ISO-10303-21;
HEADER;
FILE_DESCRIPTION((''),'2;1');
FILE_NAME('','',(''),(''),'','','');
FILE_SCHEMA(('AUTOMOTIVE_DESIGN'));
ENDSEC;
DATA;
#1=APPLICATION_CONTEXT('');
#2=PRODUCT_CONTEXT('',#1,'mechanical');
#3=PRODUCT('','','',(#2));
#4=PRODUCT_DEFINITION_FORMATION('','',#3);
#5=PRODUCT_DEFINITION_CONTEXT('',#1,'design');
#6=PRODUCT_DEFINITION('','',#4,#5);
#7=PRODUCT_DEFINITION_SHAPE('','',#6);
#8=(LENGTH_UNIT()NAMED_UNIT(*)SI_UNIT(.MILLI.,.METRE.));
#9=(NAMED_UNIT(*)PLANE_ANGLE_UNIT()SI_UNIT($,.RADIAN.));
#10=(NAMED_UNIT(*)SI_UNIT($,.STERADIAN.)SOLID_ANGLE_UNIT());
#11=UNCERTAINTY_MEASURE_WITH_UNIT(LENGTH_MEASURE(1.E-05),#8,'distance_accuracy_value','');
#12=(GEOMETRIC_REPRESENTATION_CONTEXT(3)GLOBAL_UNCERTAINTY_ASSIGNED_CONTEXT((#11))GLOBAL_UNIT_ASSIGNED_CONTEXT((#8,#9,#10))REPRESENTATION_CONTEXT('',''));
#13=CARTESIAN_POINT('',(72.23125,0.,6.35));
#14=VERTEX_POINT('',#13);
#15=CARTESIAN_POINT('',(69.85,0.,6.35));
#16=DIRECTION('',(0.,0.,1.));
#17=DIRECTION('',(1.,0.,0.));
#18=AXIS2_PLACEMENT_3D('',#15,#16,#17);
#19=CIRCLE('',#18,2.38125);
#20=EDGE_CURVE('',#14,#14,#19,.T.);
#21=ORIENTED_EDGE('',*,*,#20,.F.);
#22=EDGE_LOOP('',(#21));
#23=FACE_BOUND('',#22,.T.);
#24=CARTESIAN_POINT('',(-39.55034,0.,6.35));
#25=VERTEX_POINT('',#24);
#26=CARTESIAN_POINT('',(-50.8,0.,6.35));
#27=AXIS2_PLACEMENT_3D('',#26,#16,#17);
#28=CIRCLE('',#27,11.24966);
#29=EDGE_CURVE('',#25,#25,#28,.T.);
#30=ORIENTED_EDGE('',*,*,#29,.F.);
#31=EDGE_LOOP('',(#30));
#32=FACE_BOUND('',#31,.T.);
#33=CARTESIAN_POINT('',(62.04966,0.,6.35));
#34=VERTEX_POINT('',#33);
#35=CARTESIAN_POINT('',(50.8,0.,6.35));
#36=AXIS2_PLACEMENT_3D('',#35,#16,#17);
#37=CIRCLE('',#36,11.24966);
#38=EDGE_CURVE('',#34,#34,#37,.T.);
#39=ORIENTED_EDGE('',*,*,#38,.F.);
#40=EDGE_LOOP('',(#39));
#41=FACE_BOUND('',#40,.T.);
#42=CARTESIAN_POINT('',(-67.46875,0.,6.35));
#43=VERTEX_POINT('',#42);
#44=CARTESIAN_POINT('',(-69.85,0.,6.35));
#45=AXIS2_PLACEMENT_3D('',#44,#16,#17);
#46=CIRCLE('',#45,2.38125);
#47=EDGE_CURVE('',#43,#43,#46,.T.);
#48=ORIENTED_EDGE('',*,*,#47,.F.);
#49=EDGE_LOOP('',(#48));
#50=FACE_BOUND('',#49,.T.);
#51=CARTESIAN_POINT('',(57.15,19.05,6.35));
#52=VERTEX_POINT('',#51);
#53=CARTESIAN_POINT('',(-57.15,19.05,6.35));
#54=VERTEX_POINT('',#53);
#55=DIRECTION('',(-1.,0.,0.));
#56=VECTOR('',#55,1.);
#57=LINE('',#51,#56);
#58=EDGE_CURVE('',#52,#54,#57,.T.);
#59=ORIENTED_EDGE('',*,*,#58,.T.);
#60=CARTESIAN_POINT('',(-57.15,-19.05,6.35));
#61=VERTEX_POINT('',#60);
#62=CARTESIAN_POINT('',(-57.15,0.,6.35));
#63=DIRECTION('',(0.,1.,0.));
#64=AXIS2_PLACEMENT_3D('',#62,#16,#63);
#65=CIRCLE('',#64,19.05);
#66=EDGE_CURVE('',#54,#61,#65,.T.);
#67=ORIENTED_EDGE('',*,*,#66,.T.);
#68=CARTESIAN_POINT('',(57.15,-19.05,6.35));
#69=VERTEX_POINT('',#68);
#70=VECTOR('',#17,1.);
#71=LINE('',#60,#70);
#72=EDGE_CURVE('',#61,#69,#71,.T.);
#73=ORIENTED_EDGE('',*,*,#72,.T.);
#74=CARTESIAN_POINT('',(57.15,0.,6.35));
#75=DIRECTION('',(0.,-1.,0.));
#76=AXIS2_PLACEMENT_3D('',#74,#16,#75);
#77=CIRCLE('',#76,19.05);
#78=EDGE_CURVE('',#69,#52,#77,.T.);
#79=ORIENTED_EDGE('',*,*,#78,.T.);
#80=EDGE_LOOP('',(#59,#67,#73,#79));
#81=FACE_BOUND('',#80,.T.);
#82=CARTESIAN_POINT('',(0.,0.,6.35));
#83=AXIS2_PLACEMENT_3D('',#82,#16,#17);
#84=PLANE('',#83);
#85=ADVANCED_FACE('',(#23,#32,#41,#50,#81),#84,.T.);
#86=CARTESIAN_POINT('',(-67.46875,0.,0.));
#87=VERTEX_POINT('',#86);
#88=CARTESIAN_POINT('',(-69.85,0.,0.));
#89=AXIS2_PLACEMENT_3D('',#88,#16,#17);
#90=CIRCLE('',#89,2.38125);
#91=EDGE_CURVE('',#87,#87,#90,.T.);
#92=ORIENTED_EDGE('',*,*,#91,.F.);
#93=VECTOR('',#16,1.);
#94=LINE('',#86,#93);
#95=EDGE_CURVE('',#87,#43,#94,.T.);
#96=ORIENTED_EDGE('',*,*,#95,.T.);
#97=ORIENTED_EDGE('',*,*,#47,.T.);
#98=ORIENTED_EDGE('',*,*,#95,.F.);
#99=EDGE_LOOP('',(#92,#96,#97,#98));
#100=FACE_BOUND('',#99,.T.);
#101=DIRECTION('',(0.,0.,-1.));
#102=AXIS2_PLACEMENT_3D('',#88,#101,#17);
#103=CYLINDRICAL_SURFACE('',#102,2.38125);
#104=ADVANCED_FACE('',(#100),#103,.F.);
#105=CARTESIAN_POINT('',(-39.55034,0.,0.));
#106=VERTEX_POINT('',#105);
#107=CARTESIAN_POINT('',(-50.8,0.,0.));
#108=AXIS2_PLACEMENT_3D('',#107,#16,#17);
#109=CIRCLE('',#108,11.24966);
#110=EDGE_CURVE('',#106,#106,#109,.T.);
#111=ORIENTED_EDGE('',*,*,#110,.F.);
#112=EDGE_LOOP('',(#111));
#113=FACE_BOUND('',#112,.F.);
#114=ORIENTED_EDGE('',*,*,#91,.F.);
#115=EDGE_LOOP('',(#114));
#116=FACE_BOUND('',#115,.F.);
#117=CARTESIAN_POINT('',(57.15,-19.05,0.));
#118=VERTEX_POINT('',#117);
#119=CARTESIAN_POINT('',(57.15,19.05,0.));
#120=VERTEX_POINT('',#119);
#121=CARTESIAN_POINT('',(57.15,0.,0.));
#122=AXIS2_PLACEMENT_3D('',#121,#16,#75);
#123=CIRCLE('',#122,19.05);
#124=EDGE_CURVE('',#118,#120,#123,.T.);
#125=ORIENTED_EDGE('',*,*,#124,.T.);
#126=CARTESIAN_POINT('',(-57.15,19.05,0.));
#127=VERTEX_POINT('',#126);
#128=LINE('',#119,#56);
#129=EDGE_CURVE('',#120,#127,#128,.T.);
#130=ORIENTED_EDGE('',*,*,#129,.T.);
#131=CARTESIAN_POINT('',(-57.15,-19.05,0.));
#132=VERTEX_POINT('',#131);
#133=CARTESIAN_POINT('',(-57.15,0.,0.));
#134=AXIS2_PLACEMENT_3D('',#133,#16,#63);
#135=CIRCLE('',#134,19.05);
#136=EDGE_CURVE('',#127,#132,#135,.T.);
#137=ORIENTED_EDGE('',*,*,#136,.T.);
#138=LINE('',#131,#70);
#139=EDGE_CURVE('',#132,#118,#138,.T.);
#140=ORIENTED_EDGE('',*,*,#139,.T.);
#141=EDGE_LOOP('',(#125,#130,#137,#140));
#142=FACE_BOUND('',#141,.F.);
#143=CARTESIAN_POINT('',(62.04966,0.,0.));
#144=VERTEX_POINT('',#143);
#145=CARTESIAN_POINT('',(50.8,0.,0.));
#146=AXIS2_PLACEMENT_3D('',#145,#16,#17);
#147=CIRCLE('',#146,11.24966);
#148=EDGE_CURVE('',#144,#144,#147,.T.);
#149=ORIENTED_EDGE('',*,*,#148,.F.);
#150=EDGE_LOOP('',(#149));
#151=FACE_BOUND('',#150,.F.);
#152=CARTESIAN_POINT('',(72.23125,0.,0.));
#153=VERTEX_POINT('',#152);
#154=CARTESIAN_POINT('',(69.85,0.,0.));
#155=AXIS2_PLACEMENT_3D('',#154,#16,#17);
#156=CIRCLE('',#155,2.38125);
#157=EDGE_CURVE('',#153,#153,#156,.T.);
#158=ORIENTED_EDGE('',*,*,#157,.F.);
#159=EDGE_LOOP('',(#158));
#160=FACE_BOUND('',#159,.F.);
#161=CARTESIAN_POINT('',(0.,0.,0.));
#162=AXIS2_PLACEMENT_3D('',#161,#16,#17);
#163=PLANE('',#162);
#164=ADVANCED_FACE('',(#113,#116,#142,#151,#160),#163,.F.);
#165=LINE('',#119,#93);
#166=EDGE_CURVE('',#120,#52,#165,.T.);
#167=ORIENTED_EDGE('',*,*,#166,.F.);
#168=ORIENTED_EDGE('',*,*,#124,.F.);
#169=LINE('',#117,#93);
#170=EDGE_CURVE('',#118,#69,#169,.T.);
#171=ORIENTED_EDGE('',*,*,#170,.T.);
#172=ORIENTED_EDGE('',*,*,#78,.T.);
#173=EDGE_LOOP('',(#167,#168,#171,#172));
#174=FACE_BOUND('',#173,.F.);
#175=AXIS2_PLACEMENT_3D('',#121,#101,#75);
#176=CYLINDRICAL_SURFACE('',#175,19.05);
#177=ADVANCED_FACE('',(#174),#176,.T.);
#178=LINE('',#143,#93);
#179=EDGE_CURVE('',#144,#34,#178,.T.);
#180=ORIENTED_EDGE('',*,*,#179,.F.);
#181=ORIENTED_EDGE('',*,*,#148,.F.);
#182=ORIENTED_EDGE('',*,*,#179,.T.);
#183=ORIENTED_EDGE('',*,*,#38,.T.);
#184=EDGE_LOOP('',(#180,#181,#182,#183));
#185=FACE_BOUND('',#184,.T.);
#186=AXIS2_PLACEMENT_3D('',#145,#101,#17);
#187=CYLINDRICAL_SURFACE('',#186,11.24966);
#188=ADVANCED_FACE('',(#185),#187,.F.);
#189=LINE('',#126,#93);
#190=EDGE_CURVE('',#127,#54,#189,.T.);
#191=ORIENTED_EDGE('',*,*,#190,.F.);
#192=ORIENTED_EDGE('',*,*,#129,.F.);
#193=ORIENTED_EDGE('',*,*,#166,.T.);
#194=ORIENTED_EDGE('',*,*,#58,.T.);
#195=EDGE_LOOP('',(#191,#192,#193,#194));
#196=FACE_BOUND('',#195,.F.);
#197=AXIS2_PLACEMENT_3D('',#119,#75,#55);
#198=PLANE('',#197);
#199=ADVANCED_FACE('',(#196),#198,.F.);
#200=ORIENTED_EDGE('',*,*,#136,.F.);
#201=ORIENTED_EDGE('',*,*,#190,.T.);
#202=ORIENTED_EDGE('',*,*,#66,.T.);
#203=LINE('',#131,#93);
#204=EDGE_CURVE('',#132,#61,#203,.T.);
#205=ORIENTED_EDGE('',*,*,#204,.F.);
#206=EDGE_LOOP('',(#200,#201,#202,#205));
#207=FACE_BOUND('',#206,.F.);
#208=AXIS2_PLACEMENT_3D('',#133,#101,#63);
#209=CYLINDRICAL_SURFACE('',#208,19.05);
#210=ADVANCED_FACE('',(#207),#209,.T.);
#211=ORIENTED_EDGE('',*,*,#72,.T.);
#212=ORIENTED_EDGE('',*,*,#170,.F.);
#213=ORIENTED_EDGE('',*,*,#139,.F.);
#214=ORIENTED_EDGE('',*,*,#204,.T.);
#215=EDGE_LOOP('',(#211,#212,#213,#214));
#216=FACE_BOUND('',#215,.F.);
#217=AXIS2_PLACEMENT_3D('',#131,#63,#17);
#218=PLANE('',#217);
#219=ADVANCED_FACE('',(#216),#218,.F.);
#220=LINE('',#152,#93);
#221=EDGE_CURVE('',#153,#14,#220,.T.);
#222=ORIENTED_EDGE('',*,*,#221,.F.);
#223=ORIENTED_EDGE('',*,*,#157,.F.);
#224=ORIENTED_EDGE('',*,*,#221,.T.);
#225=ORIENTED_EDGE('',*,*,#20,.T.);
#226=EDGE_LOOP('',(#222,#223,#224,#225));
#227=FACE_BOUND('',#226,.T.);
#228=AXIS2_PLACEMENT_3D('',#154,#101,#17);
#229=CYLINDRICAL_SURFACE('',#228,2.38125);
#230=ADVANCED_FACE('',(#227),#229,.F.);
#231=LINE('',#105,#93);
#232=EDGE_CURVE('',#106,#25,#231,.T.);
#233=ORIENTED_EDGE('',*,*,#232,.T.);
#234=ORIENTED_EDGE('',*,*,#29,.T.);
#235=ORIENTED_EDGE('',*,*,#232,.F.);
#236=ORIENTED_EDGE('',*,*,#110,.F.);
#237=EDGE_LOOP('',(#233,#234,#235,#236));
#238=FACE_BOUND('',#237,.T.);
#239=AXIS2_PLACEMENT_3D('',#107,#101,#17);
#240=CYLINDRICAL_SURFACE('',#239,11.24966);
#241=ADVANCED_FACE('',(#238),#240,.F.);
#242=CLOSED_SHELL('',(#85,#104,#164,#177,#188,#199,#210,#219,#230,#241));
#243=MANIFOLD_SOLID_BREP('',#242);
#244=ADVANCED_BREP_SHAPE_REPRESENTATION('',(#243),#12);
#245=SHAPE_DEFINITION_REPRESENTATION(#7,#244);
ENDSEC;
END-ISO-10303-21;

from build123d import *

# Parameters (mm, degrees)
F0_R     = 11.24966
F2_DEPTH = 6.35
F1_R     = 2.38125
F3_DEPTH = 6.35


with BuildPart() as f2:
    # F0 (on Top) → F2 (new body)
    with BuildSketch(Plane.XY):
        with BuildLine():
            Line((57.15, 19.05), (-57.15, 19.05))
            ThreePointArc((-57.15, 19.05), (-76.2, 0), (-57.15, -19.05))
            Line((-57.15, -19.05), (57.15, -19.05))
            ThreePointArc((57.15, -19.05), (76.2, 0), (57.15, 19.05))
        make_face()
        with Locations((-50.8, 0)):
            Circle(F0_R, mode=Mode.SUBTRACT)
        with Locations((50.8, 0)):
            Circle(F0_R, mode=Mode.SUBTRACT)
    extrude(amount=F2_DEPTH)

    # F1 (on face) → F3 (cut)
    with BuildSketch(Plane.XY):
        with Locations((-69.85, 0)):
            Circle(F1_R)
        with Locations((69.85, 0)):
            Circle(F1_R)
    extrude(amount=F3_DEPTH, mode=Mode.SUBTRACT)


solid = f2.part
